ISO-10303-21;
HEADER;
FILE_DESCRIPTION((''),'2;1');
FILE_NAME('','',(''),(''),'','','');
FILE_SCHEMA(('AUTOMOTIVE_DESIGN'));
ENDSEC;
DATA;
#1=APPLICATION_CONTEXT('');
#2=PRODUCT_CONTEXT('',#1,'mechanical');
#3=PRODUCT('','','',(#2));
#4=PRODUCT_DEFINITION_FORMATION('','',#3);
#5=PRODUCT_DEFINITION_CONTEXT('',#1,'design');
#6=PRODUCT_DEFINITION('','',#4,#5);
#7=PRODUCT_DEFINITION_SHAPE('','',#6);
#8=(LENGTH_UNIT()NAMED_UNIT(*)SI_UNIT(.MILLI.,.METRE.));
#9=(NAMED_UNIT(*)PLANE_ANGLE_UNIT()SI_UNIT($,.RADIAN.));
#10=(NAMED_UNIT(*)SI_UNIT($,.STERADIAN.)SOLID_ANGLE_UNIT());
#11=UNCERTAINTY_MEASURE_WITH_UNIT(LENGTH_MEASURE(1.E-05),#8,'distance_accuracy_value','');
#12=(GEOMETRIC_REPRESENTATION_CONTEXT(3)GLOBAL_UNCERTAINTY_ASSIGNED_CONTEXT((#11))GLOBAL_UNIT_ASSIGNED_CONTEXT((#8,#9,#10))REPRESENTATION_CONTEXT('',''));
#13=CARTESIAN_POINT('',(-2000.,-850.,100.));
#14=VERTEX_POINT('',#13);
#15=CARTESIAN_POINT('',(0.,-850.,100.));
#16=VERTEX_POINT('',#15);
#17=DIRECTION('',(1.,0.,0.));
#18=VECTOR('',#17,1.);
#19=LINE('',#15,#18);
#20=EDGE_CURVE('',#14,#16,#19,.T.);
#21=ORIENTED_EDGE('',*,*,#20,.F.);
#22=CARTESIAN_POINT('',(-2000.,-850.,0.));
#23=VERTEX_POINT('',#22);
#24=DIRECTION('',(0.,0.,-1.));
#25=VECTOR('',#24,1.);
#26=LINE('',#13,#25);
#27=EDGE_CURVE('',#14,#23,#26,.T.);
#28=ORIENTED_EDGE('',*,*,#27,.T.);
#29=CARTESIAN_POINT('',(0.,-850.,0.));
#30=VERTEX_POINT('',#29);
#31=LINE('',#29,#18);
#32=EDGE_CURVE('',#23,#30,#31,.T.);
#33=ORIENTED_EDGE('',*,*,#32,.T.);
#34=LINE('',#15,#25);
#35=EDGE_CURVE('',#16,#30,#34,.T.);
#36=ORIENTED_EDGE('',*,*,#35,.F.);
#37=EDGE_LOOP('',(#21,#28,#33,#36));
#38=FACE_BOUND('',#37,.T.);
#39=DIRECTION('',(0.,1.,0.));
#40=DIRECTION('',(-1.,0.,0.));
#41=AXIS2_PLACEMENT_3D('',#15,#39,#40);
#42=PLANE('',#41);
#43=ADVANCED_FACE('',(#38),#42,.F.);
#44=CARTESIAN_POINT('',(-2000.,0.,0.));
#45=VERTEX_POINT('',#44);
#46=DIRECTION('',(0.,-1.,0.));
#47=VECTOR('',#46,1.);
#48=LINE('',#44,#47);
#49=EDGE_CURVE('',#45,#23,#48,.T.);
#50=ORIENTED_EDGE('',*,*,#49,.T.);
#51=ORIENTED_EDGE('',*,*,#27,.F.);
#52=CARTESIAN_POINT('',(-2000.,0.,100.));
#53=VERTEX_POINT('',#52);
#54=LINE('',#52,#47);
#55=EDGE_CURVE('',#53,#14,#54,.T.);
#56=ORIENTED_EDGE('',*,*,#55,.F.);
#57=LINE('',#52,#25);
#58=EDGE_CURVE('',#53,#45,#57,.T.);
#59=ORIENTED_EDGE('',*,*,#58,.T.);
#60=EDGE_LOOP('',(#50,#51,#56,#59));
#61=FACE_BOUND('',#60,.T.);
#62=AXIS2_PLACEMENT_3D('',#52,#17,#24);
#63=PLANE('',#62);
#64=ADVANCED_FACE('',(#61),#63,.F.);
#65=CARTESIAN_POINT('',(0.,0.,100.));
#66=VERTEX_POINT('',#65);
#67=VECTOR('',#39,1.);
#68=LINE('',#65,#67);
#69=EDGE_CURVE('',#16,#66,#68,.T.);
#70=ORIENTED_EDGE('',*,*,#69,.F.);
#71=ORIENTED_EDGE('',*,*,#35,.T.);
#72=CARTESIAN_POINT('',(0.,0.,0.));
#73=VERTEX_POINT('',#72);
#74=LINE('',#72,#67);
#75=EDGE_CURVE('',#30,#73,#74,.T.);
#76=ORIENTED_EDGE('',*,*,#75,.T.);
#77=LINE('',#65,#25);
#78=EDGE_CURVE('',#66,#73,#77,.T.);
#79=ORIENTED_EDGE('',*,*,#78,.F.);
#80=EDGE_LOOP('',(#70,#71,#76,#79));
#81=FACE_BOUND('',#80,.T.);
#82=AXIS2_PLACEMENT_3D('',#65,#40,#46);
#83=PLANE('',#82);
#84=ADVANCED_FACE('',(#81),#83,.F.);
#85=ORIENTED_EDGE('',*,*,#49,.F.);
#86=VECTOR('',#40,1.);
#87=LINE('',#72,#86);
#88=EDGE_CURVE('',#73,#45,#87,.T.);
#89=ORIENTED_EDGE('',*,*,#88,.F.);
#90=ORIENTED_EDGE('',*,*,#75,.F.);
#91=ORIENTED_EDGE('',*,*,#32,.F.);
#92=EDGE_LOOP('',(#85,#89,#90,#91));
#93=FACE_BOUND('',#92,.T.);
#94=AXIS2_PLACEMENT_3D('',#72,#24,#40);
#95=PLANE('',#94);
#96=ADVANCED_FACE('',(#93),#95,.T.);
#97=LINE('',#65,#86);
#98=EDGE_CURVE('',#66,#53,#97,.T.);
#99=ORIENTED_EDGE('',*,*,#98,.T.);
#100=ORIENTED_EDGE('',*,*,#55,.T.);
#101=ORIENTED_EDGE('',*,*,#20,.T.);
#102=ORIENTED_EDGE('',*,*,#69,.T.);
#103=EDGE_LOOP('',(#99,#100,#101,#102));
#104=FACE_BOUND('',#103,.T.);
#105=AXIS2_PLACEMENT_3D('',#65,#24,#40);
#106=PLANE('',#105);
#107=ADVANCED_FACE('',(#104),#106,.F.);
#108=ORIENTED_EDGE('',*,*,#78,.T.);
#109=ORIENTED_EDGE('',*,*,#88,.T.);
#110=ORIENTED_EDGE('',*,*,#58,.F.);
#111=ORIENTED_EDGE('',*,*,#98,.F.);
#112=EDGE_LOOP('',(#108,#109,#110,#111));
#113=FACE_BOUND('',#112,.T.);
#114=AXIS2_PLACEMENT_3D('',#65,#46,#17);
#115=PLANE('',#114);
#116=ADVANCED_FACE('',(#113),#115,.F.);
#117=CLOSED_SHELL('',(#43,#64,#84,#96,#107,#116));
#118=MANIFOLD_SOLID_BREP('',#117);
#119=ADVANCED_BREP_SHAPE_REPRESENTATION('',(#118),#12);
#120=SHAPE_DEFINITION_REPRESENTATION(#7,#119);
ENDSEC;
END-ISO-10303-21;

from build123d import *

# Parameters (mm, degrees)
SKETCH1_W           = 2000
SKETCH1_H           = 850
BOSS_EXTRUDE1_DEPTH = 100


with BuildPart() as part:
    # Sketch1 → Boss-Extrude1 (new body)
    with BuildSketch(Plane.XY):
        with Locations((-1000, -425)):
            Rectangle(SKETCH1_W, SKETCH1_H)
    extrude(amount=BOSS_EXTRUDE1_DEPTH)


solid = part.part
